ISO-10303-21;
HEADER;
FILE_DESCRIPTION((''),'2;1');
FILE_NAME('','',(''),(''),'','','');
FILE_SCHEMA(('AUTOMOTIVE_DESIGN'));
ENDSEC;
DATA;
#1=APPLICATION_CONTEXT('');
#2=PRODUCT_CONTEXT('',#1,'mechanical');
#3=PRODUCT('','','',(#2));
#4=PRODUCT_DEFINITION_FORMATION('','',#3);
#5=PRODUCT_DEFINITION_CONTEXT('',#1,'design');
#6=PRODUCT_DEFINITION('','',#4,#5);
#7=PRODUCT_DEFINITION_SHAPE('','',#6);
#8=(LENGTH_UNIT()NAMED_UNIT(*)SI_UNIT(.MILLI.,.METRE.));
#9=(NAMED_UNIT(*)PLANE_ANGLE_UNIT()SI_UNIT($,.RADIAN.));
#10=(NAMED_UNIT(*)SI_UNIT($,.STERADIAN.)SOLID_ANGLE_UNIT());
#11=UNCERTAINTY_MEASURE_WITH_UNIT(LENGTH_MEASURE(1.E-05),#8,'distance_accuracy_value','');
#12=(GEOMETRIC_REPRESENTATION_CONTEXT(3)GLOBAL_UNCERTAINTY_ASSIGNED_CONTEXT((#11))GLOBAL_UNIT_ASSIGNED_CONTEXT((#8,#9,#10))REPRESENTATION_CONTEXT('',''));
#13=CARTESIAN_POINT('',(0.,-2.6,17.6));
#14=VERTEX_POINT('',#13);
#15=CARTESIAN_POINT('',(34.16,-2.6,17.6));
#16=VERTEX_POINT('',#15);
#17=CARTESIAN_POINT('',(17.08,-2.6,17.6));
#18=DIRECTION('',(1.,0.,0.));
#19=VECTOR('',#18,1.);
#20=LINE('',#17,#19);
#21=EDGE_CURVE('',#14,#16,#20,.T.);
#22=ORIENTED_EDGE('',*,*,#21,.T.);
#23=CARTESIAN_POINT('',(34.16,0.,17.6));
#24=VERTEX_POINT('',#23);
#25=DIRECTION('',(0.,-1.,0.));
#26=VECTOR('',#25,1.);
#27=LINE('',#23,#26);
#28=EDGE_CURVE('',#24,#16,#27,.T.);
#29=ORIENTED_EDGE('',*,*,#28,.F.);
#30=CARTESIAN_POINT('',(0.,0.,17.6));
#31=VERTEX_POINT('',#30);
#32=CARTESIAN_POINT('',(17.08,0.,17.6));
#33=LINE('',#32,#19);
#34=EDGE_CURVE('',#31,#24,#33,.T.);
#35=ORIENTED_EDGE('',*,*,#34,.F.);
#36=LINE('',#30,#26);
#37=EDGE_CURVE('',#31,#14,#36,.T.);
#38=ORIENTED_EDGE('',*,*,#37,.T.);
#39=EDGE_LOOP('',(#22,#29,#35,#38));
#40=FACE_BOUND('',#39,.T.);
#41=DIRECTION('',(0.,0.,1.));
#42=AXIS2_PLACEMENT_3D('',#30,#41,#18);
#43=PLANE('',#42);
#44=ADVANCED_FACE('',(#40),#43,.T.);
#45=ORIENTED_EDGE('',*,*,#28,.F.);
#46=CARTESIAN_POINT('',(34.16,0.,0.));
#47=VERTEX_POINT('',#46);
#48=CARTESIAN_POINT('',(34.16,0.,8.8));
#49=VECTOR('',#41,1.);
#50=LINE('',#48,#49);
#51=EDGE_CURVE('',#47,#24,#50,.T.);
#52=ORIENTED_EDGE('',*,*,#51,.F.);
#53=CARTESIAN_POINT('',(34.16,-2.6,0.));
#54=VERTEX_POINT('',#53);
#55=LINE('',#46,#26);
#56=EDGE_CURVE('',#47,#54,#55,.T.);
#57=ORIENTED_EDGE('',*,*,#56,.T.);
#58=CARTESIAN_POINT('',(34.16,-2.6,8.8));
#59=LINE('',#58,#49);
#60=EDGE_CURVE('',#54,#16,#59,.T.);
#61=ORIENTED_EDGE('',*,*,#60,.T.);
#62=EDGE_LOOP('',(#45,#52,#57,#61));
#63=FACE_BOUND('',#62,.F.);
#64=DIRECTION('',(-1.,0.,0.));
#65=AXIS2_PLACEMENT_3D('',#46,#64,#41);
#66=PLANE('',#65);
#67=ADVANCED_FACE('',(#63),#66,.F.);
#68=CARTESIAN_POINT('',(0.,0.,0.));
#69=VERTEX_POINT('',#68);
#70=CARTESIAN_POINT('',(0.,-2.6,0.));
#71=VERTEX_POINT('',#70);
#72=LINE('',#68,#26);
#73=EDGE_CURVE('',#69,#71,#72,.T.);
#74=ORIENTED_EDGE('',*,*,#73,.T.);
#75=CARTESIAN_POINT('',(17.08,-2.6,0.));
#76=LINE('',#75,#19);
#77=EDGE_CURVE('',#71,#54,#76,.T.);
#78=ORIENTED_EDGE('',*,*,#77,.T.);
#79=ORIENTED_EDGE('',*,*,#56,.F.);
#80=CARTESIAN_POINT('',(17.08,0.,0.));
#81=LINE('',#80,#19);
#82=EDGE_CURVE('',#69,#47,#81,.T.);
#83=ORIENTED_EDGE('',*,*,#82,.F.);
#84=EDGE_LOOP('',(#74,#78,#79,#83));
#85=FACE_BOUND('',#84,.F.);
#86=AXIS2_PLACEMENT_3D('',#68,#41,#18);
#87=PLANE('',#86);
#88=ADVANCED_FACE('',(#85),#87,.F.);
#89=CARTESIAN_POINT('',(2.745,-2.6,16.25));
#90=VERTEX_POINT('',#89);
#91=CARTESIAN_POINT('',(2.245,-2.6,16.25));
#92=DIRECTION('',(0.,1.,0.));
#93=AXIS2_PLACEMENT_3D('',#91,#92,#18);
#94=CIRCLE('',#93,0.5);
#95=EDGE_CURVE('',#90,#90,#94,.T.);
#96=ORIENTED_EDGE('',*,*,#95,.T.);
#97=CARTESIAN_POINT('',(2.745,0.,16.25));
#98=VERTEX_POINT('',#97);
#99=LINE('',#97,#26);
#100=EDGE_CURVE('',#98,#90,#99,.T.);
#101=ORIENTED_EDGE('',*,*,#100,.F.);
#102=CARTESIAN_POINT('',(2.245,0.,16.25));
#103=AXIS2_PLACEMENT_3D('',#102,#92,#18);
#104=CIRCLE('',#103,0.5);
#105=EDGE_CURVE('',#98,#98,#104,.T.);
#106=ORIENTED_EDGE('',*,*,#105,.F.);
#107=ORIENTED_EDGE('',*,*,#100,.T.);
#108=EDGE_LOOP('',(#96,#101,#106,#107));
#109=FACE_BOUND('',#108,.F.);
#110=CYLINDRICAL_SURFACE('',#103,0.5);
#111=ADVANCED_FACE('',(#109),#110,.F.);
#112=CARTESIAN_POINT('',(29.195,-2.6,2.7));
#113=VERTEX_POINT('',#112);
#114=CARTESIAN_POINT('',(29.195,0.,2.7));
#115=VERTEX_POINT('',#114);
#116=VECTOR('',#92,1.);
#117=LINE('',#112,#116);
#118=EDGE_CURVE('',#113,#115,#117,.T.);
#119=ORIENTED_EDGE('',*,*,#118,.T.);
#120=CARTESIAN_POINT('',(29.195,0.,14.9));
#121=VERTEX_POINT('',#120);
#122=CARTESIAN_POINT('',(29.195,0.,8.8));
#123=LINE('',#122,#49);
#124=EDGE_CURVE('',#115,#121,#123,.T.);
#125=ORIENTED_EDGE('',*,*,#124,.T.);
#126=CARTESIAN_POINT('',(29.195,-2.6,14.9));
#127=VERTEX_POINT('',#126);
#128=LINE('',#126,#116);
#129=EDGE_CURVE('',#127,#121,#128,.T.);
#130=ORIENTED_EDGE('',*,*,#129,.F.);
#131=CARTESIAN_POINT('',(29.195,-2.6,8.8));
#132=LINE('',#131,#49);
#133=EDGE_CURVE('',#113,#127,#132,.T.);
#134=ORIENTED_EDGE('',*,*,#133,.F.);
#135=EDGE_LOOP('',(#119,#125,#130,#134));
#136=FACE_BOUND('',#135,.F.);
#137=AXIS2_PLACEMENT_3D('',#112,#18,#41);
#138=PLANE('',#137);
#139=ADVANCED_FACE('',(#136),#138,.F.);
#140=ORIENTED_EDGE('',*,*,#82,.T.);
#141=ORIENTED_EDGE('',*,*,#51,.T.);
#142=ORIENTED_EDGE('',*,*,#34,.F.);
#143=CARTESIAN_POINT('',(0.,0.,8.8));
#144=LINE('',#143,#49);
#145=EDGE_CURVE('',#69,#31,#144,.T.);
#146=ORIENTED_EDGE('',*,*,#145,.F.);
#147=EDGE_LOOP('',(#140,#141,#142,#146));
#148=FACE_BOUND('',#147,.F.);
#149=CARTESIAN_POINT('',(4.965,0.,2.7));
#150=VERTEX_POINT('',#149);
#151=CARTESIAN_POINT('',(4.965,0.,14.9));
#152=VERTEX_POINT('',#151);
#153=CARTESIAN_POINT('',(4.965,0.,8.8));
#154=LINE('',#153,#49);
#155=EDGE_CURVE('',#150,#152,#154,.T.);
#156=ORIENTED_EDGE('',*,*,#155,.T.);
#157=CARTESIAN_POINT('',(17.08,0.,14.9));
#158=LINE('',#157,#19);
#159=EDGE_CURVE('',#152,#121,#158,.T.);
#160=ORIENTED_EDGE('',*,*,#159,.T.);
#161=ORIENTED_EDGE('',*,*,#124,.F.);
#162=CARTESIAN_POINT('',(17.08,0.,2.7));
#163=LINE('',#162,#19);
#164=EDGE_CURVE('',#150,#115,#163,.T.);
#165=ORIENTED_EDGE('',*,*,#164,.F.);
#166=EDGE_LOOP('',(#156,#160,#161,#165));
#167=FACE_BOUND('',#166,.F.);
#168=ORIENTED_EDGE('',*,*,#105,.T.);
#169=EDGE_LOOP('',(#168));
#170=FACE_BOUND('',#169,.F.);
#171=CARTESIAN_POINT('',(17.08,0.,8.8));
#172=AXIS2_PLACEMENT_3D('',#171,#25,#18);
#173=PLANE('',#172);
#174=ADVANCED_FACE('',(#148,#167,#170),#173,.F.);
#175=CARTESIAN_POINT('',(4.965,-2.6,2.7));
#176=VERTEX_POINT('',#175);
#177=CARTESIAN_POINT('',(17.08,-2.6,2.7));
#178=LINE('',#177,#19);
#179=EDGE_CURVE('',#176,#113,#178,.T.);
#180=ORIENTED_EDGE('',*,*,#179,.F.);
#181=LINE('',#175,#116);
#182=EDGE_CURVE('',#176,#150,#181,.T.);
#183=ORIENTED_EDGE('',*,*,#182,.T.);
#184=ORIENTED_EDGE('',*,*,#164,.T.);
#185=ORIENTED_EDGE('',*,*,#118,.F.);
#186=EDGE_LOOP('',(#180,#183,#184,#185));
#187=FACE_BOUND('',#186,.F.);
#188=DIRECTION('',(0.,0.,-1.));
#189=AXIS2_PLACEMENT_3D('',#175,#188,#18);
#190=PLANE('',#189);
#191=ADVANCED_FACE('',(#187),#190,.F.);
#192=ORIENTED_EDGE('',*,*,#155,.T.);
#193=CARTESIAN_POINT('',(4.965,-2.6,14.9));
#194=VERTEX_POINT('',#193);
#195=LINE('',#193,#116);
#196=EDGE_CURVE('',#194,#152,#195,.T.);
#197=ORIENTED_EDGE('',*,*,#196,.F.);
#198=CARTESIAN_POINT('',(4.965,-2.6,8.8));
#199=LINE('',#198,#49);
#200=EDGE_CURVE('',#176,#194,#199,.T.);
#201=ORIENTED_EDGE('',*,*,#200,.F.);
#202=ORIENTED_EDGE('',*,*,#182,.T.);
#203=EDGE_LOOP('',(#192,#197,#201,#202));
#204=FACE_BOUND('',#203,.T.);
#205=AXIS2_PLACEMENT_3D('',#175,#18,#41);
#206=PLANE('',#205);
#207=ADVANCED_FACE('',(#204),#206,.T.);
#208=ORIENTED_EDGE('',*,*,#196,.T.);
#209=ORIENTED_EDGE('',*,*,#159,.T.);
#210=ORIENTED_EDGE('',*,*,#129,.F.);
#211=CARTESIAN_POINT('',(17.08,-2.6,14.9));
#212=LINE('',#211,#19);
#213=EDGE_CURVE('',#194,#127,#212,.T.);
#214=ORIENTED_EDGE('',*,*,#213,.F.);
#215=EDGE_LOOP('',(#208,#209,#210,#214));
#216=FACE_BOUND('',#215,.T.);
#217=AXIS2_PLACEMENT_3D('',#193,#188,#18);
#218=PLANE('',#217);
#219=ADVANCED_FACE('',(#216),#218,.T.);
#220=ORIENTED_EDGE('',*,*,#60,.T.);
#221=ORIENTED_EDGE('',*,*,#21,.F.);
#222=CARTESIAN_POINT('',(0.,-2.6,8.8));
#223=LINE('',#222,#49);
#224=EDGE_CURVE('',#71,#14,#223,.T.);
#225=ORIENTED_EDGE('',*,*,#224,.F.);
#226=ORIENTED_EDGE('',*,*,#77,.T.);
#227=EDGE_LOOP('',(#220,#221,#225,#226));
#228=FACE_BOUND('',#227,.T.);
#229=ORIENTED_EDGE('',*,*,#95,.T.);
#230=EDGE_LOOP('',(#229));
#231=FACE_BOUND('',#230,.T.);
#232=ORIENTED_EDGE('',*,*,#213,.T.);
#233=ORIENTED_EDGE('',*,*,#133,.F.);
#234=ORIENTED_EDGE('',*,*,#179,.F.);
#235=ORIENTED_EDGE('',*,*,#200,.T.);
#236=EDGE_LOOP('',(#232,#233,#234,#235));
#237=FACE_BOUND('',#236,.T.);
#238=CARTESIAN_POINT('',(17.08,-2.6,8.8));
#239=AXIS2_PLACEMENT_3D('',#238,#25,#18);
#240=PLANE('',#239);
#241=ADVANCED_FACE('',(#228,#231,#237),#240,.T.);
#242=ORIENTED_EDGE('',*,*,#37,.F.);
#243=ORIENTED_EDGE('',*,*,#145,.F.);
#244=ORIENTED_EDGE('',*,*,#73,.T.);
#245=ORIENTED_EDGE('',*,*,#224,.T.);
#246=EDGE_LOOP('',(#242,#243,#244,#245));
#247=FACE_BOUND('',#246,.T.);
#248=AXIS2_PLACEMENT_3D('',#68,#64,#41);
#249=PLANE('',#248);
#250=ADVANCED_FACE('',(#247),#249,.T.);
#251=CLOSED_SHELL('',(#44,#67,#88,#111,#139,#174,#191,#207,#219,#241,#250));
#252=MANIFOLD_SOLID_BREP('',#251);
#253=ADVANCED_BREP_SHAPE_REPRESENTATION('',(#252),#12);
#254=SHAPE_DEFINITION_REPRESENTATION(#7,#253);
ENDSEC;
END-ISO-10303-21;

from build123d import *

# Parameters (mm, degrees)
SKETCH_W        = 34.16
SKETCH_H        = 17.6
PAD_DEPTH       = 2.6
SKETCH002_W     = 24.23
SKETCH002_H     = 12.2
POCKET_DEPTH    = 2.6
SKETCH003_R     = 0.5
SKETCH003_W     = 2.01
SKETCH003_H     = 3.5
POCKET001_DEPTH = 5


with BuildPart() as part:
    # Sketch → Pad (new body)
    with BuildSketch(Plane.XZ):
        with Locations((17.08, 8.8)):
            Rectangle(SKETCH_W, SKETCH_H)
    extrude(amount=PAD_DEPTH)

    # Sketch002 (on Face6 of Pad) → Pocket (cut)
    with BuildSketch(Plane.XZ.offset(2.6)):
        with Locations((17.08, 8.8)):
            Rectangle(SKETCH002_W, SKETCH002_H)
    extrude(amount=-POCKET_DEPTH, mode=Mode.SUBTRACT)

    # Sketch003 (on Face4 of Pocket) → Pocket001 (cut)
    with BuildSketch(Plane(origin=(0, 0, 0), x_dir=(1, 0, 0), z_dir=(0, 1, 0))):
        with Locations((2.245, -16.25)):
            Circle(SKETCH003_R)
        with Locations((27.953742, -8.544061)):
            Rectangle(SKETCH003_W, SKETCH003_H)
    extrude(amount=-POCKET001_DEPTH, mode=Mode.SUBTRACT)


solid = part.part
